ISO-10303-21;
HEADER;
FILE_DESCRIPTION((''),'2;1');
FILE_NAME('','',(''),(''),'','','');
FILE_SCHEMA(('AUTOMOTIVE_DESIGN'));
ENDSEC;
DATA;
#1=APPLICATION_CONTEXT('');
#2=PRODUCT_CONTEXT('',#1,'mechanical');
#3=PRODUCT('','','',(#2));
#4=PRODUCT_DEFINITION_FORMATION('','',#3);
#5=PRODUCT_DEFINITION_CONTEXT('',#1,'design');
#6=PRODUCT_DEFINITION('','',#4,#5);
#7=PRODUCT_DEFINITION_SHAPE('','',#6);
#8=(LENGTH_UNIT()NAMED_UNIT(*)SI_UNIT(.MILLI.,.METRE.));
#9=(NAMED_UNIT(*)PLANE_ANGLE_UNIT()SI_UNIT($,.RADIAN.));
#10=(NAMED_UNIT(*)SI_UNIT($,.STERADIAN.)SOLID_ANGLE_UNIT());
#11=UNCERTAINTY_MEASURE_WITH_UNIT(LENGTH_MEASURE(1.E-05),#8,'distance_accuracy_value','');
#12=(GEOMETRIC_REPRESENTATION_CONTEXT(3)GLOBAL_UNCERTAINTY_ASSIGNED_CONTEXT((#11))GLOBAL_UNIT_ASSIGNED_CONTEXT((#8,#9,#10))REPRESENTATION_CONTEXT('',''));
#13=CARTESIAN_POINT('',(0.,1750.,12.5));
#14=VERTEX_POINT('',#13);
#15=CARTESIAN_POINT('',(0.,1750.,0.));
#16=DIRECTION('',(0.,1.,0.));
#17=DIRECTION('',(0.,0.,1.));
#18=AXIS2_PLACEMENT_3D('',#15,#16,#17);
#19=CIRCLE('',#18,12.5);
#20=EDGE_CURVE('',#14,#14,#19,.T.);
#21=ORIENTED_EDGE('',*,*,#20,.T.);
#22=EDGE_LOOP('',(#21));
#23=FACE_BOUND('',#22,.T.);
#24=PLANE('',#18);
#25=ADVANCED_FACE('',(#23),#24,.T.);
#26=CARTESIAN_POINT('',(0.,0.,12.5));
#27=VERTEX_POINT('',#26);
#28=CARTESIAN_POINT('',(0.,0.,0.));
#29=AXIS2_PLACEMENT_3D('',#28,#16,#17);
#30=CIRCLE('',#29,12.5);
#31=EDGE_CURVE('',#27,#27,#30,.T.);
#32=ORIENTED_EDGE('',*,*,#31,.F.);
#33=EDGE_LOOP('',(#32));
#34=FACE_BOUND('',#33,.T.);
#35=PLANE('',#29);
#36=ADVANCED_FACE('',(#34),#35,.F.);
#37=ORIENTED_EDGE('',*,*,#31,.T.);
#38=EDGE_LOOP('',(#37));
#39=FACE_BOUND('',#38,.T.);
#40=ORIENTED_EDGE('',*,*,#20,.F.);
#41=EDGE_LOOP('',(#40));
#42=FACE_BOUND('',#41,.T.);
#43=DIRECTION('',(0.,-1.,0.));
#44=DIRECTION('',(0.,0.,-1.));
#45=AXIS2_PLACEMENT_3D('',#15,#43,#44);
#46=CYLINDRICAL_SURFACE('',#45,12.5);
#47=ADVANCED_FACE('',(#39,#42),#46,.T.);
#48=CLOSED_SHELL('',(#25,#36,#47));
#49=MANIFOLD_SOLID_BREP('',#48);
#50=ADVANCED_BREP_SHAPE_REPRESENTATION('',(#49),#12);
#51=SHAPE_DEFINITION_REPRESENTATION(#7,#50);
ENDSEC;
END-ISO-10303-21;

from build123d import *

# Parameters (mm, degrees)
SKETCH_1_R      = 12.5
EXTRUDE_1_DEPTH = 1750


with BuildPart() as part:
    # 草图1 → 凸台-拉伸1 (new body)
    with BuildSketch(Plane(origin=(0, 0, 0), x_dir=(1, 0, 0), z_dir=(0, 1, 0))):
        Circle(SKETCH_1_R)
    extrude(amount=EXTRUDE_1_DEPTH)


solid = part.part
